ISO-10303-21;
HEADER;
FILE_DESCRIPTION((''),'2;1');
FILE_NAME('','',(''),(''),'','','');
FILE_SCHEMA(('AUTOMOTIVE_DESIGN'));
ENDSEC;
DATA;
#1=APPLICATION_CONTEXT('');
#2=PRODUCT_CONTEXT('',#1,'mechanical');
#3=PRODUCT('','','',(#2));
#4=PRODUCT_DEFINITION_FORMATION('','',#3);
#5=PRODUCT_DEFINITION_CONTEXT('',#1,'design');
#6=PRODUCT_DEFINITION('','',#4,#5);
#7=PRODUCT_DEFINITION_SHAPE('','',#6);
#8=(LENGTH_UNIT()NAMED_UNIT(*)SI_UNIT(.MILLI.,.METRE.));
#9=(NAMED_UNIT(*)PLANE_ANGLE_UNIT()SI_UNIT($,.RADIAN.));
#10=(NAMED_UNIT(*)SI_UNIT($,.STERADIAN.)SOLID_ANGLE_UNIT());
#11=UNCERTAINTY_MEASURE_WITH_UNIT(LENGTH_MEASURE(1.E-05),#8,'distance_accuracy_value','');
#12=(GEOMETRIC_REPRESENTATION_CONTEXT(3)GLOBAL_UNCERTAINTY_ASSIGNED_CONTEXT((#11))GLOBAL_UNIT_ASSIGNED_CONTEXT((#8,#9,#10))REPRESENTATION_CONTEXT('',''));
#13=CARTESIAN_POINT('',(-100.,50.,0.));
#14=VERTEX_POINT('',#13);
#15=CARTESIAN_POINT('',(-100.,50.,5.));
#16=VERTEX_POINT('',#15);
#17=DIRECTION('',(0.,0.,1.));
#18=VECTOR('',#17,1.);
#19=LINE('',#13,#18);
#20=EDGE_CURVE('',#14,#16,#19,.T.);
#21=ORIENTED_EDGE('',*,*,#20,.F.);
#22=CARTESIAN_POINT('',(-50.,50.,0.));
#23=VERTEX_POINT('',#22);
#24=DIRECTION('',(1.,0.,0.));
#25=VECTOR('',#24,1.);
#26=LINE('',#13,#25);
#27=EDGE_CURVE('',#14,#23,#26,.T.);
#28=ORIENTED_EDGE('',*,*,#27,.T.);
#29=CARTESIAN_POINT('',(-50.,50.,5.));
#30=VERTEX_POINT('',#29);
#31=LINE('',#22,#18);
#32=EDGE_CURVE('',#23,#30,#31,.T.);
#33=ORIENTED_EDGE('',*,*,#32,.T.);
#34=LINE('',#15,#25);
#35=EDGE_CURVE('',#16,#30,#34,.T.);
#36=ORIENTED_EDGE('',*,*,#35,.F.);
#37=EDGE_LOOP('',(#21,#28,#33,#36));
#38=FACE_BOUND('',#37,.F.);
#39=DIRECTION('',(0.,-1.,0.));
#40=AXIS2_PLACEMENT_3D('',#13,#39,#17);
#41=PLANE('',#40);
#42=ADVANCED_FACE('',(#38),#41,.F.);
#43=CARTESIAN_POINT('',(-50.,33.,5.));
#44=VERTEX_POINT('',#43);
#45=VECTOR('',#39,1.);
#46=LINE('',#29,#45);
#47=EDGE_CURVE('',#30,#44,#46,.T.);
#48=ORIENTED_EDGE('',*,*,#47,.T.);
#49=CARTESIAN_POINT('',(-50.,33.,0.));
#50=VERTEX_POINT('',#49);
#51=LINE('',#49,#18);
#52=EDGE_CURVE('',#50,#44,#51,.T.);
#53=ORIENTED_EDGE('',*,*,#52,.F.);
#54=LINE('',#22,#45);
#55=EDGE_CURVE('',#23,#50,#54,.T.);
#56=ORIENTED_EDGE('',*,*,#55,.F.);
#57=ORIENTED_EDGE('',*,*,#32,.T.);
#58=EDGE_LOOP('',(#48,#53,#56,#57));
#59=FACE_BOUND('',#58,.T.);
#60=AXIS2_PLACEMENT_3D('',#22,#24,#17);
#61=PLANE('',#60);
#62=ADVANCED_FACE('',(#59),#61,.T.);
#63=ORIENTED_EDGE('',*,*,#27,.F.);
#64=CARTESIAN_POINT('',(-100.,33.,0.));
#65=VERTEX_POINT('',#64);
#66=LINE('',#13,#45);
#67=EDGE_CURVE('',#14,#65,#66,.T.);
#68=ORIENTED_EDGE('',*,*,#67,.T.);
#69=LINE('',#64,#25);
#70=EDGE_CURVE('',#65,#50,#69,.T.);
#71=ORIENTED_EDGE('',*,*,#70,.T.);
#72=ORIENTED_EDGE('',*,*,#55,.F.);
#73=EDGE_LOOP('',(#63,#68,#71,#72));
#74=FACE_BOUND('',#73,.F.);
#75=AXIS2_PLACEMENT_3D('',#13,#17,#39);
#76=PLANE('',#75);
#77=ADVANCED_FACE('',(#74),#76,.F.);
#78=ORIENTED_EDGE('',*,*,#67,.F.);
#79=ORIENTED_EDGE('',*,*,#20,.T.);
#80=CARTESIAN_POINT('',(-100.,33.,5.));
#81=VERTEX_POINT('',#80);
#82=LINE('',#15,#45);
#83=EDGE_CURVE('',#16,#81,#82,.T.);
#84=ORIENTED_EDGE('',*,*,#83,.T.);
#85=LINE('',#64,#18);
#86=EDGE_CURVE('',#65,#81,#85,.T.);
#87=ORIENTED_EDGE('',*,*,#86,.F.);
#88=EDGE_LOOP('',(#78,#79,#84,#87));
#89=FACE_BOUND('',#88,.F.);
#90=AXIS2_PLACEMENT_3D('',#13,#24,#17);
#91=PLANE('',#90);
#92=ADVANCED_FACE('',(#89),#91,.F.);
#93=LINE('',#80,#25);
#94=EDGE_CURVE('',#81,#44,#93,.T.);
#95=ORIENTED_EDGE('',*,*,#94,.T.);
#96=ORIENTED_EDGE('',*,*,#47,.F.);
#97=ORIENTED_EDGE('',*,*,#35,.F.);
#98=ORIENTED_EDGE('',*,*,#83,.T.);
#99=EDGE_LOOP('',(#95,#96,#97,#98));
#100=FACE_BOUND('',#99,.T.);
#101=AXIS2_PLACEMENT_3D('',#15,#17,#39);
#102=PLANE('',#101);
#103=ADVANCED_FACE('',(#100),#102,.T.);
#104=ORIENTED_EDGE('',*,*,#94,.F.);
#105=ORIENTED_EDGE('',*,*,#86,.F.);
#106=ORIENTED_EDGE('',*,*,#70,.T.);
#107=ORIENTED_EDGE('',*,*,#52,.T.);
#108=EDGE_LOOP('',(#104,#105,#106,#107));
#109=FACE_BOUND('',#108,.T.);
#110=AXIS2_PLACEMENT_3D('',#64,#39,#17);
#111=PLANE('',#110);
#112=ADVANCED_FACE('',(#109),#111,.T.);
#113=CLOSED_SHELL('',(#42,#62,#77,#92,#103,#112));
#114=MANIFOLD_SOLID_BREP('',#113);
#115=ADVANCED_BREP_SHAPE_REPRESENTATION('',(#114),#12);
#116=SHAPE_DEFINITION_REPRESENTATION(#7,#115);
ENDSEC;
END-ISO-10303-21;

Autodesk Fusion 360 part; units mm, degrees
box "BoxPrimitive1" add length 17 width 50 height 5 placed x (0, -1, 0) y (1, 0, 0) z (0, 0, 1) at (-100, 50, 0)
